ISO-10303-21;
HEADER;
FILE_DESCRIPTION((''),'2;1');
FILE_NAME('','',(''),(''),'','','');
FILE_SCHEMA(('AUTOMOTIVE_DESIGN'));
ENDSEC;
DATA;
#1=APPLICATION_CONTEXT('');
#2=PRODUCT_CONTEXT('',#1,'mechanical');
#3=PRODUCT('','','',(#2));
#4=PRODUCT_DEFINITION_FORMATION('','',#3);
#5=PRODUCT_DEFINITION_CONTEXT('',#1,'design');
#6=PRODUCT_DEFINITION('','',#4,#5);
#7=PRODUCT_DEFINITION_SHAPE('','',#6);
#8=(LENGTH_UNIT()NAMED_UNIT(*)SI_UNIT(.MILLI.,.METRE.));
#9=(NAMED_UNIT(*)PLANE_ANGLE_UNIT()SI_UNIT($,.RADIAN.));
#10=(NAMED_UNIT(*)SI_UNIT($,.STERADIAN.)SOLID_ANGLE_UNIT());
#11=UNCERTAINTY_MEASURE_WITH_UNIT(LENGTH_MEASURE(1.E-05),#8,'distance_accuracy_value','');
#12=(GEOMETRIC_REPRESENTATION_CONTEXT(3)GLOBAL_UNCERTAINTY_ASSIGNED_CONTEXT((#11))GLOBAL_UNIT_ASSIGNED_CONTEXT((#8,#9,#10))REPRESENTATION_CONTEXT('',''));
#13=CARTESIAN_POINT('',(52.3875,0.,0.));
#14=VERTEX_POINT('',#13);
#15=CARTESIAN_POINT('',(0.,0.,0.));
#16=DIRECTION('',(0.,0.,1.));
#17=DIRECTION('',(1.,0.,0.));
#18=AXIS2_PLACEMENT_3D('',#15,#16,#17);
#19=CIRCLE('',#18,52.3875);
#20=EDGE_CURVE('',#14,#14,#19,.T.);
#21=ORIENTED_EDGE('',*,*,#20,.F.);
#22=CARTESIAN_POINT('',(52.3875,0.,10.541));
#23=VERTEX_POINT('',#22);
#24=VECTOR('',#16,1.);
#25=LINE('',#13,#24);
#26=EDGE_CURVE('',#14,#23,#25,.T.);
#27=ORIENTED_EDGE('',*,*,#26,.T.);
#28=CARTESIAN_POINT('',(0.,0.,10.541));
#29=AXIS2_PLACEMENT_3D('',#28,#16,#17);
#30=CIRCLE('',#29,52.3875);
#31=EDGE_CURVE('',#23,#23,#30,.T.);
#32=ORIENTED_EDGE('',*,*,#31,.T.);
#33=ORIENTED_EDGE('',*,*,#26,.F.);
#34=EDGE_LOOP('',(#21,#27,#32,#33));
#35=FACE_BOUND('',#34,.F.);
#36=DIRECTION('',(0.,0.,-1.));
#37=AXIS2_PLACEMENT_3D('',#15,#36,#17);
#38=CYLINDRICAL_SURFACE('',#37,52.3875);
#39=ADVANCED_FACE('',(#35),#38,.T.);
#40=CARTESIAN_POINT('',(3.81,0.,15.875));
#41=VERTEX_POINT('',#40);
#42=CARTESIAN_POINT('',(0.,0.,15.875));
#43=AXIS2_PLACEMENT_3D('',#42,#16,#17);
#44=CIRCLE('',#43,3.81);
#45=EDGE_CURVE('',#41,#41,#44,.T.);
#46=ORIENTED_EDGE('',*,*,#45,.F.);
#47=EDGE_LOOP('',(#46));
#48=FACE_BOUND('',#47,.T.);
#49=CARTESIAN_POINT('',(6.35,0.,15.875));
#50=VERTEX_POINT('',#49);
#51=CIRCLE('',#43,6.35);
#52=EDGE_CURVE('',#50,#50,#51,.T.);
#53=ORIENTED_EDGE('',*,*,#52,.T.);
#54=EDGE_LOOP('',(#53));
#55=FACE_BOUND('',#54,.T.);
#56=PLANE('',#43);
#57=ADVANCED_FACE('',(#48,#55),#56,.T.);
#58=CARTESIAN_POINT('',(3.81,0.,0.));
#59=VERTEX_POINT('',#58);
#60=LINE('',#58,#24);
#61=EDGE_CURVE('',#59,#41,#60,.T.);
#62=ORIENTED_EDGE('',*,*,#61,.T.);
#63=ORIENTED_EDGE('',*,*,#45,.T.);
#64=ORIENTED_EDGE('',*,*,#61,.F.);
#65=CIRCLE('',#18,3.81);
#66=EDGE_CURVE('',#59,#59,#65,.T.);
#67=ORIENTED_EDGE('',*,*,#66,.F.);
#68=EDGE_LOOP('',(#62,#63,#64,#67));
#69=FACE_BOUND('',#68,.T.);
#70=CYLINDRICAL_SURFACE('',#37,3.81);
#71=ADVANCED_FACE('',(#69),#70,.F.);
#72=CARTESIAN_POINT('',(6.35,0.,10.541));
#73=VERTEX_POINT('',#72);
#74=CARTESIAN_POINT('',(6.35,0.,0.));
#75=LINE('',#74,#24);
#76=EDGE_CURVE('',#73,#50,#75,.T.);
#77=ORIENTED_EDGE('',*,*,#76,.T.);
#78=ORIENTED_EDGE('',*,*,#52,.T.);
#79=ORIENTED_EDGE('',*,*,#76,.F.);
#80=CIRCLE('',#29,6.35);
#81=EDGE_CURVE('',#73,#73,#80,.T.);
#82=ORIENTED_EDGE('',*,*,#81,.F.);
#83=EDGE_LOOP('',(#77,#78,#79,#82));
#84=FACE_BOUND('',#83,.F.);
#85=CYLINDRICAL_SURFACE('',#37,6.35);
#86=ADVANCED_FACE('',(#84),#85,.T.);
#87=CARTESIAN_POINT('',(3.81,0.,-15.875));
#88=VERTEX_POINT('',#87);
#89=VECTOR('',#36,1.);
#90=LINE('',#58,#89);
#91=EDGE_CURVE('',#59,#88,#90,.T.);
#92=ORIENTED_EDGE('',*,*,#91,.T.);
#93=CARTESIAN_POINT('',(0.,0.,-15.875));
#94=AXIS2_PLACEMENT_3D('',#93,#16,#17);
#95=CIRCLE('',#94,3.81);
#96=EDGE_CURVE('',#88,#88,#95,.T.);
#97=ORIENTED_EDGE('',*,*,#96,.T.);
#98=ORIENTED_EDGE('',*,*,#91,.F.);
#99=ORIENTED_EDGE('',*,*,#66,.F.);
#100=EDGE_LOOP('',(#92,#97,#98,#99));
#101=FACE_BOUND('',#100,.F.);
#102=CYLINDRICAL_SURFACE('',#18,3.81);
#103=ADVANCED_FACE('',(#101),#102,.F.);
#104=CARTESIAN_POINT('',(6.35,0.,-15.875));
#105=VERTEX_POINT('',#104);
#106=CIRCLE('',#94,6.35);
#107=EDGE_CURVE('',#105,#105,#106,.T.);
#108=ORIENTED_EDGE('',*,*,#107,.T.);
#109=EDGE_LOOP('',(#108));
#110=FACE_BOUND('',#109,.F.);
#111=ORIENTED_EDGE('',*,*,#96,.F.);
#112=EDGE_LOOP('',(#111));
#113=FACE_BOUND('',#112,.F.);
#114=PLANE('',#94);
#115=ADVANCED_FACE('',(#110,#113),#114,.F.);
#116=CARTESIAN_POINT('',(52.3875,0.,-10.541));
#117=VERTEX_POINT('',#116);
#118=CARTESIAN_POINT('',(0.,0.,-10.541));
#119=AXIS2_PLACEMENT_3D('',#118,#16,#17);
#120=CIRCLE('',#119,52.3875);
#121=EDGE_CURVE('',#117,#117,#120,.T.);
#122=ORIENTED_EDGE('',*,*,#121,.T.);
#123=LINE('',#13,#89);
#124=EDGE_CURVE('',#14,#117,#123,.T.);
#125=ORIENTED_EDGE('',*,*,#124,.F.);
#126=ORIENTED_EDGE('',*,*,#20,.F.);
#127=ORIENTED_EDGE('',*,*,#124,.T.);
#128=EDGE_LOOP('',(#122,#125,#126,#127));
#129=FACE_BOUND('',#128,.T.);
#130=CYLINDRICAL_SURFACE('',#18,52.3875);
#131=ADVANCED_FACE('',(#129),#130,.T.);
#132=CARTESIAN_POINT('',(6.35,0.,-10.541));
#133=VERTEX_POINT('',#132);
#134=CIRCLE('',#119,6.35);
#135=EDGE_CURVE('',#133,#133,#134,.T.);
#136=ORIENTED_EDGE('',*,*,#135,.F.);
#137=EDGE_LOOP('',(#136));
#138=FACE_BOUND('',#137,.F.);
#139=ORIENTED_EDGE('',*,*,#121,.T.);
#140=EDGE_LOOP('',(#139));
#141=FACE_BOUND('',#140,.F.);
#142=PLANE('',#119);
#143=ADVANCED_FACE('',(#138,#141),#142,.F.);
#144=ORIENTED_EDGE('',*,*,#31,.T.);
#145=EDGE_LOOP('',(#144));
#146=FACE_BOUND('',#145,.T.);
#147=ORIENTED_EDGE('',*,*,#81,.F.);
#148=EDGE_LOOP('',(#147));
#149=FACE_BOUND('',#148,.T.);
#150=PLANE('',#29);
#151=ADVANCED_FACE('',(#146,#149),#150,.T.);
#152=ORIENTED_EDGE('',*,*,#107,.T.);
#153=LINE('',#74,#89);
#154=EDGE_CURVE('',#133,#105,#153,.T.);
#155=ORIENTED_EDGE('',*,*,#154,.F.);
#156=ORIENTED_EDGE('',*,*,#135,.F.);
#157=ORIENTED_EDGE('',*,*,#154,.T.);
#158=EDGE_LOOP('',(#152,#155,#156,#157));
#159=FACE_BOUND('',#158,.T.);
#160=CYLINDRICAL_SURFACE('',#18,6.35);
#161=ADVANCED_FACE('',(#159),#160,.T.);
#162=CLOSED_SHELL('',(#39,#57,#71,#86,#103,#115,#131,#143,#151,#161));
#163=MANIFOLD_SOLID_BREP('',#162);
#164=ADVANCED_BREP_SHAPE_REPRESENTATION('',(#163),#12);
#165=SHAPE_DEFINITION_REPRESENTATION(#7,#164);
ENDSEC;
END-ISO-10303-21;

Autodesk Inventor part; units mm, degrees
ref_plane "YZ Plane" through (0, 0, 0) normal (1, 0, 0) x (0, 1, 0)
ref_plane "XZ Plane" through (0, 0, 0) normal (0, 1, 0) x (-1, 0, 0)
ref_plane "XY Plane" through (0, 0, 0) normal (0, 0, 1) x (1, 0, 0)
sketch "Sketch1" plane through (0, 0, 0) normal (0, 0, 1) x (1, 0, 0)
  circle A0 centre (0, 0) radius 52.3875
  circle A1 centre (0, 0) radius 3.81
  circle A2 centre (0, 0) radius 6.35
  dimension "d0" = 104.775
  dimension "d1" = 7.62
  dimension "d2" = 12.7
extrude "Extrusion1" add sketch "Sketch1" along normal mid plane 21.082 contours A0
extrude "Extrusion2" add sketch "Sketch1" along normal mid plane 31.75 contours A2
properties part number "Front Wheel"
